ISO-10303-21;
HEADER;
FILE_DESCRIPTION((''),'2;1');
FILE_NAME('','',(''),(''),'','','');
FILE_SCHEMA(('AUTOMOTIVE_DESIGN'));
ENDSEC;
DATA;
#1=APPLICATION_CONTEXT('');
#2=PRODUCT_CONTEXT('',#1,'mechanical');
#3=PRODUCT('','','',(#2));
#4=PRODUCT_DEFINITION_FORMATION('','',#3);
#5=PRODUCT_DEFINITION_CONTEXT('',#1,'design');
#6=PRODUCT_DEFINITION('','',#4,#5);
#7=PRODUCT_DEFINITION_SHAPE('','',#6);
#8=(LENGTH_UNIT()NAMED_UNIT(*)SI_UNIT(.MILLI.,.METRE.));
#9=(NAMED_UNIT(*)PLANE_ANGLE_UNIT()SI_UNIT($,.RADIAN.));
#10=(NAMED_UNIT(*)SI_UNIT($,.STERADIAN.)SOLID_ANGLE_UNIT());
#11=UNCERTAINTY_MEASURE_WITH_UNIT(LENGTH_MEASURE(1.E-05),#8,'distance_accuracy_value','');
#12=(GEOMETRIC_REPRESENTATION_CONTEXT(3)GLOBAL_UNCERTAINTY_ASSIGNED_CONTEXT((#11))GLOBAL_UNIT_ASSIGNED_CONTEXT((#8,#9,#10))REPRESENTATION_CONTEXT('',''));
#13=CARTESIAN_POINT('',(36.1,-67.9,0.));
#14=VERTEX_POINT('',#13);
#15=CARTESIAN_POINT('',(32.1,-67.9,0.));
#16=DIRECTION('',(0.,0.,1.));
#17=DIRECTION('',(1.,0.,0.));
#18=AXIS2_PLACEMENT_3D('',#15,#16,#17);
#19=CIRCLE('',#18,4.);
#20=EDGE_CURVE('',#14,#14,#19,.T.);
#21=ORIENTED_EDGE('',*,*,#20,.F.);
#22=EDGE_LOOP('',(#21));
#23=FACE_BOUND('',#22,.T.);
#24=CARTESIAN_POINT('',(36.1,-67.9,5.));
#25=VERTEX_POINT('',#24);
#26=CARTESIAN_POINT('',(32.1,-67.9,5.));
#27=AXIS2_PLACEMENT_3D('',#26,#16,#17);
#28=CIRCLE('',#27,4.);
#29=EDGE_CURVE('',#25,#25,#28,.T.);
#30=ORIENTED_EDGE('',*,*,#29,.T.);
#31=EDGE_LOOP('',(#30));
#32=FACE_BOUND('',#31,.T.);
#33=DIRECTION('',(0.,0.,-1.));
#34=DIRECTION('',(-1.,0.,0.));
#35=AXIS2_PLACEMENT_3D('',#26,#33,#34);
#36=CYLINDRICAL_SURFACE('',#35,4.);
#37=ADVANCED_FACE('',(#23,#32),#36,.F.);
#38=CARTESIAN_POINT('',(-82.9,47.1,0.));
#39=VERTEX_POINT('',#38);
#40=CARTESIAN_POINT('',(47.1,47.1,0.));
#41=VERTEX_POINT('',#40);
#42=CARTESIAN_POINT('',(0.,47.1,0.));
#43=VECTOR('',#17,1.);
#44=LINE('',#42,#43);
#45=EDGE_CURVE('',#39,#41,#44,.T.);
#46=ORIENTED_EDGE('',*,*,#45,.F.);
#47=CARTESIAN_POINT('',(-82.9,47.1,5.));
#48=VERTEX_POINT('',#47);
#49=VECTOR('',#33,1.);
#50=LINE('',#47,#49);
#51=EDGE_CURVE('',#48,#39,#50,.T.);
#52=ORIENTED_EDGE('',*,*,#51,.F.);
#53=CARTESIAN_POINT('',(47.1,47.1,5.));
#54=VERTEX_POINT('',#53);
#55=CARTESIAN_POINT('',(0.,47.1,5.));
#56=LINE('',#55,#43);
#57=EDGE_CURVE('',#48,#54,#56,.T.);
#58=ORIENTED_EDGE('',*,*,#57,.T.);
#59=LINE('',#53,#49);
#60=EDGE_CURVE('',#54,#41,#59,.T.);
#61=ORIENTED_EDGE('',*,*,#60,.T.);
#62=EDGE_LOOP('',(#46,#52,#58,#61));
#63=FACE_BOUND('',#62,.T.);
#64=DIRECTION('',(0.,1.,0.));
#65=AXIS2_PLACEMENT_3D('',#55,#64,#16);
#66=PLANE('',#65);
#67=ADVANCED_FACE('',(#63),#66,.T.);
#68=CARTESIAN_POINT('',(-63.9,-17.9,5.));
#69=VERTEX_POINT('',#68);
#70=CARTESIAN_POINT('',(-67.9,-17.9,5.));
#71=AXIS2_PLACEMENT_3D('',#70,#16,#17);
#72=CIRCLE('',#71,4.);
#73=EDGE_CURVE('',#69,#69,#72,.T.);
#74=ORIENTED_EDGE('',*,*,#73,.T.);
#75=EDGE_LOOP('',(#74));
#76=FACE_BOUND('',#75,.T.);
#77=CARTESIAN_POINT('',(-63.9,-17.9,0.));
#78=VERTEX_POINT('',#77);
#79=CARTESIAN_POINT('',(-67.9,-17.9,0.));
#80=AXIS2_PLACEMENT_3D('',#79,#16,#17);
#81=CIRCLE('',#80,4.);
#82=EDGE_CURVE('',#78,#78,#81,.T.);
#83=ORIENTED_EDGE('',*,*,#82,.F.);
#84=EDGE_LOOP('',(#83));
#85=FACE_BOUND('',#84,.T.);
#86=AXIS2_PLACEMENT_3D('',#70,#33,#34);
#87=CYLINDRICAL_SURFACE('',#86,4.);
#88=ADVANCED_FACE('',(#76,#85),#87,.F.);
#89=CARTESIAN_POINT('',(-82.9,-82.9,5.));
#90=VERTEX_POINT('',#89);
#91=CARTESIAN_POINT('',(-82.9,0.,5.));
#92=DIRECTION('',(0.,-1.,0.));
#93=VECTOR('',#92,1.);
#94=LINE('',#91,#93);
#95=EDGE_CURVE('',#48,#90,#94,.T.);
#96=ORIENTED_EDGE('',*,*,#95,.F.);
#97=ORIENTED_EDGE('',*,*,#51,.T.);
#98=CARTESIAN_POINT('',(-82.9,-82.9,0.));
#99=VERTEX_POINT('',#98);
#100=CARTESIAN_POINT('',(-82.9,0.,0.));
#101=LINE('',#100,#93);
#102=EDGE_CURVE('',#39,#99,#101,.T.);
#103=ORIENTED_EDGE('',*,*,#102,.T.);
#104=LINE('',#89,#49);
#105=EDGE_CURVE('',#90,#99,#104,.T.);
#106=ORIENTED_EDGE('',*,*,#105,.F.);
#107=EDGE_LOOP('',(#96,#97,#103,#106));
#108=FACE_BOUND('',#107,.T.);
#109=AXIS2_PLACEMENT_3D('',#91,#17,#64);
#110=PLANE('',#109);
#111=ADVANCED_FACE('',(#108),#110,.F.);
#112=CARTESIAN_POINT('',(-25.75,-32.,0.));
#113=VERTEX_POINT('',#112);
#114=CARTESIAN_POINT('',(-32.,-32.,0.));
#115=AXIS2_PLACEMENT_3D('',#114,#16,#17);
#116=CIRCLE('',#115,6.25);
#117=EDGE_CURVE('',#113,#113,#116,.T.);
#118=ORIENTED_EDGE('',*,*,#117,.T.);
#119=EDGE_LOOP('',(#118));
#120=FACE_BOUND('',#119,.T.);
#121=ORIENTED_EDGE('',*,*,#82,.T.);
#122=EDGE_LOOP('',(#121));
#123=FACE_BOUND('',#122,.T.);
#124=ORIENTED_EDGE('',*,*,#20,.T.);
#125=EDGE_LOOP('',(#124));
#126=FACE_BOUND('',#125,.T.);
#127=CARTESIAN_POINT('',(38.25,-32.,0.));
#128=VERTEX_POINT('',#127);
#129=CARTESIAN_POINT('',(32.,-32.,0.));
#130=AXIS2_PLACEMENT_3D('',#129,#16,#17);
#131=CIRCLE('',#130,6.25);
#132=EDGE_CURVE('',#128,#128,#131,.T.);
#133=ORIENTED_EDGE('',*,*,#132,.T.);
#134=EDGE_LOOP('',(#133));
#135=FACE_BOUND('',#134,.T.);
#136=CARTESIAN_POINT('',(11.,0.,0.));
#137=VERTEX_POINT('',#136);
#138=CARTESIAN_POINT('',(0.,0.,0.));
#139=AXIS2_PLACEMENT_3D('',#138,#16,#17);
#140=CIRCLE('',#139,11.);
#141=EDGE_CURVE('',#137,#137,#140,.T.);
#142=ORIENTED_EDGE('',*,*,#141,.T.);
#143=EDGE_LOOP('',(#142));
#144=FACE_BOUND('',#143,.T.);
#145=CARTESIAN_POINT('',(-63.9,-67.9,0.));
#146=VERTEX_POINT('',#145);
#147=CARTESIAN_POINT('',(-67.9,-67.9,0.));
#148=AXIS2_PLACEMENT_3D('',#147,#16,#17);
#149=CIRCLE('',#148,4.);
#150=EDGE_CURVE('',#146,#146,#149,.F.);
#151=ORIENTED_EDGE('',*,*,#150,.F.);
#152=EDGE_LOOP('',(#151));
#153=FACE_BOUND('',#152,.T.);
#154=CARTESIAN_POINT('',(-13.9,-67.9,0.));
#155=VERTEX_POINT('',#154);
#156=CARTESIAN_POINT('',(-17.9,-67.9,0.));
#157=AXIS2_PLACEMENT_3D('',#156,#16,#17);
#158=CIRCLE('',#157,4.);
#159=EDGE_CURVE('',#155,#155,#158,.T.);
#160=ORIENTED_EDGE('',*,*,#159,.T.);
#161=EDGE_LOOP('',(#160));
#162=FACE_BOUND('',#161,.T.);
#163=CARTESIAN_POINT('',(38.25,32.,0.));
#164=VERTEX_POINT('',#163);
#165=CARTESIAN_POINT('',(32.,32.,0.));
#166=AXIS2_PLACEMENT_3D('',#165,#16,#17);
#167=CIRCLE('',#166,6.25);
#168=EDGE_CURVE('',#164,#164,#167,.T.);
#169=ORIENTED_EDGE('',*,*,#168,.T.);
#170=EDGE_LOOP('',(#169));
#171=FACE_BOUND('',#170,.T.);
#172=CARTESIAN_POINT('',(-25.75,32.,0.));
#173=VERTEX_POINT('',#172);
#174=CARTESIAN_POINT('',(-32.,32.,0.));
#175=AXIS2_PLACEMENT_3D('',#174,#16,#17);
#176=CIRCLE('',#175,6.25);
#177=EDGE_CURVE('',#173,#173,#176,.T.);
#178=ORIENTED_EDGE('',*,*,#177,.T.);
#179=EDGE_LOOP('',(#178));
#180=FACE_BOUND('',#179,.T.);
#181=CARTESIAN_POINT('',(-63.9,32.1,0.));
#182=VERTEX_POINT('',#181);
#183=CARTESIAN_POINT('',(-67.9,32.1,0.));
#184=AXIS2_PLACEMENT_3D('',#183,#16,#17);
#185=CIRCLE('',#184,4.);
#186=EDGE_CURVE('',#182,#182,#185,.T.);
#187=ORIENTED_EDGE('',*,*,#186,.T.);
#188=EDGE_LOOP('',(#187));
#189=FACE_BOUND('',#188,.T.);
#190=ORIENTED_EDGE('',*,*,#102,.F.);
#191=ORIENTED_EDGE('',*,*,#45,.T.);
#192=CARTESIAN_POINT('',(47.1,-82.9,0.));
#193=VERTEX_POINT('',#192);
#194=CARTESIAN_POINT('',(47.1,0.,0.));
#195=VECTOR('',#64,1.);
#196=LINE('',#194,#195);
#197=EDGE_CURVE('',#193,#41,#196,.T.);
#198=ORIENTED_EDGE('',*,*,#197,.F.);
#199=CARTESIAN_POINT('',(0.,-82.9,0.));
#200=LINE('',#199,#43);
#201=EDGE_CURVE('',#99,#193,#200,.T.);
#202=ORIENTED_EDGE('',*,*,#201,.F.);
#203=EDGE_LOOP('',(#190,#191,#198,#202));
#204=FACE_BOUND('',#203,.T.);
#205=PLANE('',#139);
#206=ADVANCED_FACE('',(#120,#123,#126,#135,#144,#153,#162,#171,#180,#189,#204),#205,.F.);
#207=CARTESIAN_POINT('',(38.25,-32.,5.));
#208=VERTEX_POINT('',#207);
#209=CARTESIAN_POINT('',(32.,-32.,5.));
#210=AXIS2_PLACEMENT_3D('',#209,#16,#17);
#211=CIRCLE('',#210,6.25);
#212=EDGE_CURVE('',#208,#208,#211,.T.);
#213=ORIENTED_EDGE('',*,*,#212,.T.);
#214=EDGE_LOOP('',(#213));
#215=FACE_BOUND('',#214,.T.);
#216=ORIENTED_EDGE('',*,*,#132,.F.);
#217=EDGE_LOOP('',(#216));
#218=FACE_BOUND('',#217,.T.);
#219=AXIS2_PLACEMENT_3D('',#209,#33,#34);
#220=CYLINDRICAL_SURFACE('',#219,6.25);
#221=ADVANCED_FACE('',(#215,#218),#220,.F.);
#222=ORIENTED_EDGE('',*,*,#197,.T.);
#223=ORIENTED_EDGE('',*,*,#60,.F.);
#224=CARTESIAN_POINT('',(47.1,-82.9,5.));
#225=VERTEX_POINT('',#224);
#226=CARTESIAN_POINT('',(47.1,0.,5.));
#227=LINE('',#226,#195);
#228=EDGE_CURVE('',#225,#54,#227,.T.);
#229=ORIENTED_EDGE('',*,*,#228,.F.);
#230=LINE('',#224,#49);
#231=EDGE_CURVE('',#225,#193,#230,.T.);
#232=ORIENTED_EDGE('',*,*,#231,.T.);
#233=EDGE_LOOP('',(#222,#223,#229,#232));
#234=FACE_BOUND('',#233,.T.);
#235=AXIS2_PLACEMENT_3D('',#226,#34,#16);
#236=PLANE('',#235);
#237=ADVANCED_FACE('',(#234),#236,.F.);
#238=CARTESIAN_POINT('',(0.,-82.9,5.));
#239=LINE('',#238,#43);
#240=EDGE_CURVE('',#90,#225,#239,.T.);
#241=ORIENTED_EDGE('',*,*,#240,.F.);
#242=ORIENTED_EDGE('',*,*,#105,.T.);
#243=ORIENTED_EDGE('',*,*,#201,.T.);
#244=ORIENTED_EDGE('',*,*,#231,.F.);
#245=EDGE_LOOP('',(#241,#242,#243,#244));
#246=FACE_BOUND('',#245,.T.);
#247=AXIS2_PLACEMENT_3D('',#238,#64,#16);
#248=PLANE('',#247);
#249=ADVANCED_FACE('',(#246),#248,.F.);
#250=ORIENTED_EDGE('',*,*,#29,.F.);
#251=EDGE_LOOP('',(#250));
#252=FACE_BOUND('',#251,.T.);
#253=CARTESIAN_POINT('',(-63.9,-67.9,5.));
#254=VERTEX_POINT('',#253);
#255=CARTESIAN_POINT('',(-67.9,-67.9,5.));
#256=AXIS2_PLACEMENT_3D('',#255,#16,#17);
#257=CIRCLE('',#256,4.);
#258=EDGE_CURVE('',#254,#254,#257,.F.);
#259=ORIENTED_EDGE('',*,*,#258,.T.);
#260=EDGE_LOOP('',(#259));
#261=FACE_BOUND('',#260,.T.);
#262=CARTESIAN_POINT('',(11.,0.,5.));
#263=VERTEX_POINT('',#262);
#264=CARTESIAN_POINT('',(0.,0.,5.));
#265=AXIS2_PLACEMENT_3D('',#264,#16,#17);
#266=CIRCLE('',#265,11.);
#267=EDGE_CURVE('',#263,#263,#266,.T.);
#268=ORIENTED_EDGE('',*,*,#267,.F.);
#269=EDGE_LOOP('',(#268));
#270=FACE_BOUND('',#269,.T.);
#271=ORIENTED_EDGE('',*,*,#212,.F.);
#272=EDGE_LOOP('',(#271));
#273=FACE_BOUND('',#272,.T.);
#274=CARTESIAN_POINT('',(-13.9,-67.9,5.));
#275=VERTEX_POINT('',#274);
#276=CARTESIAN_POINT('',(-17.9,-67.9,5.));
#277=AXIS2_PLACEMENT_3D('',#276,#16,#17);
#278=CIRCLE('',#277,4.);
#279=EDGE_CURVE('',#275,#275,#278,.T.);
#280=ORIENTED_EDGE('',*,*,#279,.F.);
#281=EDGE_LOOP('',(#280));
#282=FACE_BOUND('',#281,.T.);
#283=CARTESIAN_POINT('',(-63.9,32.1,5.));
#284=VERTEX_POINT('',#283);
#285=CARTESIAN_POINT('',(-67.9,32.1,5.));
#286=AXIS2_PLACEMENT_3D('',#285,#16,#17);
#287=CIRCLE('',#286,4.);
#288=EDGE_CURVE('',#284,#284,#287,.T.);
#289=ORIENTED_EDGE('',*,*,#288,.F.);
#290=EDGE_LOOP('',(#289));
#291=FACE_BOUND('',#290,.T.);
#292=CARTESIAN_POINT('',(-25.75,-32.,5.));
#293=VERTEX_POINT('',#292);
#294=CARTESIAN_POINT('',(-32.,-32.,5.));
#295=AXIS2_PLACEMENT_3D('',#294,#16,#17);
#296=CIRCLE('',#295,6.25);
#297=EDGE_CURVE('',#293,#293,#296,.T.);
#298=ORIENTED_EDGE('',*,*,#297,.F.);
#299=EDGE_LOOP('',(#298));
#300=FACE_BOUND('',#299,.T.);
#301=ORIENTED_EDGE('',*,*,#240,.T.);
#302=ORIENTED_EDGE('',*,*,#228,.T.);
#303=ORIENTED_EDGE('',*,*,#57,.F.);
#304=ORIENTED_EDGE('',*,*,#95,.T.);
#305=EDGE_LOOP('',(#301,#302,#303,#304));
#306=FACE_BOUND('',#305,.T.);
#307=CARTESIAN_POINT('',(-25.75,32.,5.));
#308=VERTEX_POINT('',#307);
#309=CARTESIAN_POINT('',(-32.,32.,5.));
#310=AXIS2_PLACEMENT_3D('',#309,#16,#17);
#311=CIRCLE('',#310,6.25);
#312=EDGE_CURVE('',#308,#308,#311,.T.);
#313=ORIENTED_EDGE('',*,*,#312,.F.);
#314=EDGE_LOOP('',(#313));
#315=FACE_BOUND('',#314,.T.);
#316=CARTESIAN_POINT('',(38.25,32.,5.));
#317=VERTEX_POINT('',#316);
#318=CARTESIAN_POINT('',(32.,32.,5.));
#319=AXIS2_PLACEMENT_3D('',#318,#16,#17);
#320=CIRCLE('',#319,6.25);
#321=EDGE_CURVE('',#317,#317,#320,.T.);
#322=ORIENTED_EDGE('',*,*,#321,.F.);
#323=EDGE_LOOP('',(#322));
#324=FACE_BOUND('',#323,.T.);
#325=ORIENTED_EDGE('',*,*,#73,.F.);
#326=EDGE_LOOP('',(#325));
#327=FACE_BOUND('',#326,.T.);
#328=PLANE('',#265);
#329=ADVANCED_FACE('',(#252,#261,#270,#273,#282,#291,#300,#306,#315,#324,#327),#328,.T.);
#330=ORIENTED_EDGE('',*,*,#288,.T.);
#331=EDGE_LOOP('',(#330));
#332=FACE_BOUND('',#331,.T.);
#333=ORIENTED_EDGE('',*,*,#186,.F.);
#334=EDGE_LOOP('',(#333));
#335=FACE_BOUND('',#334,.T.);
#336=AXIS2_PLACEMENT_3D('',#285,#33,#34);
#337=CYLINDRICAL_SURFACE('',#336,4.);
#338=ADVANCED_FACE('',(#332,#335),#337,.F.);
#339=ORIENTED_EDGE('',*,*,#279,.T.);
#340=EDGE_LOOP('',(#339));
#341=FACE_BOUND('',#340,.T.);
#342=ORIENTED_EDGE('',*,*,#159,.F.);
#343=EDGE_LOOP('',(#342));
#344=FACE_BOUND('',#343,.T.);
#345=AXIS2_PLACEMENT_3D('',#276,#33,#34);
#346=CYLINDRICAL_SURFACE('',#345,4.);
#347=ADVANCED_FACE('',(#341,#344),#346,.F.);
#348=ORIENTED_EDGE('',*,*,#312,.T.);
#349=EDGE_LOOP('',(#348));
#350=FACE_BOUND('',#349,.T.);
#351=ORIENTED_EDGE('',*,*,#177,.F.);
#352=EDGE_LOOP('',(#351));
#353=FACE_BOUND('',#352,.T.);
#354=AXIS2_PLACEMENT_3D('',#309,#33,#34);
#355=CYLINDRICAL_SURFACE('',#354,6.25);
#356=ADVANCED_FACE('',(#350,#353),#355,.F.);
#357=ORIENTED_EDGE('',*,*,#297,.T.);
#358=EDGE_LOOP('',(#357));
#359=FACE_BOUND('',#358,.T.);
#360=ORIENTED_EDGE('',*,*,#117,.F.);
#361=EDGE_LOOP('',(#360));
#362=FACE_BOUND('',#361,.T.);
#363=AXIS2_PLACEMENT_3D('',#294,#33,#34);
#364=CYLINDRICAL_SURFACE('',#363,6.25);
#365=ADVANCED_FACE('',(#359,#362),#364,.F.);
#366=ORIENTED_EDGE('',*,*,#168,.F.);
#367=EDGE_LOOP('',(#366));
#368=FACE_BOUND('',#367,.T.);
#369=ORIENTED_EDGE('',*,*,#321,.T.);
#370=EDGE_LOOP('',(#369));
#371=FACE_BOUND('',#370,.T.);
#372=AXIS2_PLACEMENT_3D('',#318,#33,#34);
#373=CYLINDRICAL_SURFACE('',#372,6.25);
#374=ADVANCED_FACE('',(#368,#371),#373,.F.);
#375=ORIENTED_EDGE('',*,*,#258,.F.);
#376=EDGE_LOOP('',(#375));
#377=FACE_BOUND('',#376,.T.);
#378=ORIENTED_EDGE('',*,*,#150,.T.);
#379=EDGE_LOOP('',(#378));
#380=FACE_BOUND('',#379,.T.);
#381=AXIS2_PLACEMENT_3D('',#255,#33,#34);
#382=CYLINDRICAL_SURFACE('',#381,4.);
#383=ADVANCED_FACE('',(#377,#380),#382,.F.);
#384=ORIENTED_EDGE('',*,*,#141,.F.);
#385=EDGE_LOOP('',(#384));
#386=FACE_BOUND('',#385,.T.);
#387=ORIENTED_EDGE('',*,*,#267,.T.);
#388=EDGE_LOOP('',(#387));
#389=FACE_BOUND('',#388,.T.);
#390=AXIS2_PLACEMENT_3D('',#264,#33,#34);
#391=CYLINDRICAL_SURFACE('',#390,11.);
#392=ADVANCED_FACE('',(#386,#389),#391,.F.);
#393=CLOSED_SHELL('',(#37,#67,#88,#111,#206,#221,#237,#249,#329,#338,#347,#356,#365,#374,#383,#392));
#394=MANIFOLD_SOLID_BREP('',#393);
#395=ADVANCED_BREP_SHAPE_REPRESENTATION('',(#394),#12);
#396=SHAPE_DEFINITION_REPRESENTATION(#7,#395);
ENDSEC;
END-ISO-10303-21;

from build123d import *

# Parameters (mm, degrees)
SKETCH_1_W      = 130
SKETCH_1_H      = 130
SKETCH_1_R      = 6.25
SKETCH_1_R_2    = 4
SKETCH_1_R_3    = 11
EXTRUDE_1_DEPTH = 5


with BuildPart() as part:
    # 草图1 → 凸台-拉伸1 (new body)
    with BuildSketch(Plane.XY):
        with Locations((-17.9, -17.9)):
            Rectangle(SKETCH_1_W, SKETCH_1_H)
        with Locations((-32, -32)):
            Circle(SKETCH_1_R, mode=Mode.SUBTRACT)
        with Locations((-32, 32)):
            Circle(SKETCH_1_R, mode=Mode.SUBTRACT)
        with Locations((32, 32)):
            Circle(SKETCH_1_R, mode=Mode.SUBTRACT)
        with Locations((32, -32)):
            Circle(SKETCH_1_R, mode=Mode.SUBTRACT)
        with Locations((-67.9, 32.1)):
            Circle(SKETCH_1_R_2, mode=Mode.SUBTRACT)
        with Locations((-67.9, -17.9)):
            Circle(SKETCH_1_R_2, mode=Mode.SUBTRACT)
        with Locations((-67.9, -67.9)):
            Circle(SKETCH_1_R_2, mode=Mode.SUBTRACT)
        with Locations((-17.9, -67.9)):
            Circle(SKETCH_1_R_2, mode=Mode.SUBTRACT)
        with Locations((32.1, -67.9)):
            Circle(SKETCH_1_R_2, mode=Mode.SUBTRACT)
        Circle(SKETCH_1_R_3, mode=Mode.SUBTRACT)
    extrude(amount=EXTRUDE_1_DEPTH)


solid = part.part
